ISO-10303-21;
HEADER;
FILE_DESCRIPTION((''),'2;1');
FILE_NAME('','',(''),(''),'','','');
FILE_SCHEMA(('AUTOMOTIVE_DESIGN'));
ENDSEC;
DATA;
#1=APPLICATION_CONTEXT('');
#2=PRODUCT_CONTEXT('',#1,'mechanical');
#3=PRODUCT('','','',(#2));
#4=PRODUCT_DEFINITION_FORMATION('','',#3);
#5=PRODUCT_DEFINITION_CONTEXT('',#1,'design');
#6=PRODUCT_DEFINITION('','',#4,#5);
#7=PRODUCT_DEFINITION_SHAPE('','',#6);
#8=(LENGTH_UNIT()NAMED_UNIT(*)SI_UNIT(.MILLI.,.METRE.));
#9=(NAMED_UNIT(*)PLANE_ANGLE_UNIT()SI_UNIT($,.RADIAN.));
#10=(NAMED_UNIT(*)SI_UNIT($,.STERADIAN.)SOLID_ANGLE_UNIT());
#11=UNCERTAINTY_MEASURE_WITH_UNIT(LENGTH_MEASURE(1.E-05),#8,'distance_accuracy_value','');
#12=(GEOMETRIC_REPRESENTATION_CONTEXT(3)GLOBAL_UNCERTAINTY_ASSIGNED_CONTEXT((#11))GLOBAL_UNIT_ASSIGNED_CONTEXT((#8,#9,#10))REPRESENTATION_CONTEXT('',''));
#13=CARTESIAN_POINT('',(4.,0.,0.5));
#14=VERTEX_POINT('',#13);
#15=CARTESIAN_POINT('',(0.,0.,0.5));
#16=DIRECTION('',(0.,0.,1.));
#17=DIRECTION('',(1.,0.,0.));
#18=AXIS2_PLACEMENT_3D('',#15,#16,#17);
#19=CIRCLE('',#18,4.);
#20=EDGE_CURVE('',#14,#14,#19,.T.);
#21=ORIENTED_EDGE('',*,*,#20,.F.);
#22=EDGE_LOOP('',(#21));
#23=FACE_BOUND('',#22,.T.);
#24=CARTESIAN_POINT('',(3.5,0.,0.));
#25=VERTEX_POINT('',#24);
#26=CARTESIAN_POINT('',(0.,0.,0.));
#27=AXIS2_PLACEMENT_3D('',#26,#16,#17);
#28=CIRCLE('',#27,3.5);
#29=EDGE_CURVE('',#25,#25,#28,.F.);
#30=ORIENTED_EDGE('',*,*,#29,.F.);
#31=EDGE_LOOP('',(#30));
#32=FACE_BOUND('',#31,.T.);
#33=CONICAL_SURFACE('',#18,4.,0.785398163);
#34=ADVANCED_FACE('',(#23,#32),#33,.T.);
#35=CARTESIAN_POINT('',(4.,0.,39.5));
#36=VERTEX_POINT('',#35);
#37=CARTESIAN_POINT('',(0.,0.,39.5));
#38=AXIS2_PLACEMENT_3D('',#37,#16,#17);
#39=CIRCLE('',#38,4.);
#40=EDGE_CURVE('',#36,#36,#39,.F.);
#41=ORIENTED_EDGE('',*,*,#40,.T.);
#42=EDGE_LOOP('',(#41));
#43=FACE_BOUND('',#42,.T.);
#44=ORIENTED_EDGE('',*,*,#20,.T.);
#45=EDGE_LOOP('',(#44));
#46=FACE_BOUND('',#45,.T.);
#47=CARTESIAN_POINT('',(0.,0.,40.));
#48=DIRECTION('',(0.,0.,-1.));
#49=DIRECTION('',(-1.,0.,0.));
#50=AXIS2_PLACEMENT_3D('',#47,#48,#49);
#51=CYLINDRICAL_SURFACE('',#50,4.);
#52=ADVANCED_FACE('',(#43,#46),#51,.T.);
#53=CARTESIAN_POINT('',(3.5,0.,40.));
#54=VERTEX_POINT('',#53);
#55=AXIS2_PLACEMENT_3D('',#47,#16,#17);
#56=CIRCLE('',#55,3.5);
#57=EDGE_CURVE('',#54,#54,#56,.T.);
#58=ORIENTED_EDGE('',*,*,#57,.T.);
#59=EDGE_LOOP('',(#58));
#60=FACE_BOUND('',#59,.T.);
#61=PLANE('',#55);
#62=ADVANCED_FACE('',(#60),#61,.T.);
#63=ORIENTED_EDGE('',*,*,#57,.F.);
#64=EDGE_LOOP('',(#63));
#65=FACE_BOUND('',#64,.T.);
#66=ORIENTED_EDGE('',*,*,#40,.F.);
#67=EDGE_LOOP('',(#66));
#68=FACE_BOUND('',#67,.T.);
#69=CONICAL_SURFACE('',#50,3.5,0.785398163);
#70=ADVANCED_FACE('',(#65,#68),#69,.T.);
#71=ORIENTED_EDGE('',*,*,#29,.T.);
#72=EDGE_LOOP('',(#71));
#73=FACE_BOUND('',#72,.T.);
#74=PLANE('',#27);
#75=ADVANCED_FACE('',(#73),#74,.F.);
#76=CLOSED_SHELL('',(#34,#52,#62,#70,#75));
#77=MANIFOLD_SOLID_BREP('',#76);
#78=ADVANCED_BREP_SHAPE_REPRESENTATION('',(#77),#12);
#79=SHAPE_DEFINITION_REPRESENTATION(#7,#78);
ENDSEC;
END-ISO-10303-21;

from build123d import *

# Parameters (mm, degrees)
SKETCH_1_R      = 4
EXTRUDE_1_DEPTH = 40
CHAMFER_1_SIZE  = 0.5


with BuildPart() as part:
    # 草图1 → 凸台-拉伸1 (new body)
    with BuildSketch(Plane.XY):
        Circle(SKETCH_1_R)
    extrude(amount=EXTRUDE_1_DEPTH)

    # 倒角1
    chamfer_1_edges = [part.edges().sort_by_distance(p)[0] for p in [
        (-4, 0, 0),
        (-4, 0, 40),
    ]]
    chamfer(chamfer_1_edges, length=CHAMFER_1_SIZE)


solid = part.part
